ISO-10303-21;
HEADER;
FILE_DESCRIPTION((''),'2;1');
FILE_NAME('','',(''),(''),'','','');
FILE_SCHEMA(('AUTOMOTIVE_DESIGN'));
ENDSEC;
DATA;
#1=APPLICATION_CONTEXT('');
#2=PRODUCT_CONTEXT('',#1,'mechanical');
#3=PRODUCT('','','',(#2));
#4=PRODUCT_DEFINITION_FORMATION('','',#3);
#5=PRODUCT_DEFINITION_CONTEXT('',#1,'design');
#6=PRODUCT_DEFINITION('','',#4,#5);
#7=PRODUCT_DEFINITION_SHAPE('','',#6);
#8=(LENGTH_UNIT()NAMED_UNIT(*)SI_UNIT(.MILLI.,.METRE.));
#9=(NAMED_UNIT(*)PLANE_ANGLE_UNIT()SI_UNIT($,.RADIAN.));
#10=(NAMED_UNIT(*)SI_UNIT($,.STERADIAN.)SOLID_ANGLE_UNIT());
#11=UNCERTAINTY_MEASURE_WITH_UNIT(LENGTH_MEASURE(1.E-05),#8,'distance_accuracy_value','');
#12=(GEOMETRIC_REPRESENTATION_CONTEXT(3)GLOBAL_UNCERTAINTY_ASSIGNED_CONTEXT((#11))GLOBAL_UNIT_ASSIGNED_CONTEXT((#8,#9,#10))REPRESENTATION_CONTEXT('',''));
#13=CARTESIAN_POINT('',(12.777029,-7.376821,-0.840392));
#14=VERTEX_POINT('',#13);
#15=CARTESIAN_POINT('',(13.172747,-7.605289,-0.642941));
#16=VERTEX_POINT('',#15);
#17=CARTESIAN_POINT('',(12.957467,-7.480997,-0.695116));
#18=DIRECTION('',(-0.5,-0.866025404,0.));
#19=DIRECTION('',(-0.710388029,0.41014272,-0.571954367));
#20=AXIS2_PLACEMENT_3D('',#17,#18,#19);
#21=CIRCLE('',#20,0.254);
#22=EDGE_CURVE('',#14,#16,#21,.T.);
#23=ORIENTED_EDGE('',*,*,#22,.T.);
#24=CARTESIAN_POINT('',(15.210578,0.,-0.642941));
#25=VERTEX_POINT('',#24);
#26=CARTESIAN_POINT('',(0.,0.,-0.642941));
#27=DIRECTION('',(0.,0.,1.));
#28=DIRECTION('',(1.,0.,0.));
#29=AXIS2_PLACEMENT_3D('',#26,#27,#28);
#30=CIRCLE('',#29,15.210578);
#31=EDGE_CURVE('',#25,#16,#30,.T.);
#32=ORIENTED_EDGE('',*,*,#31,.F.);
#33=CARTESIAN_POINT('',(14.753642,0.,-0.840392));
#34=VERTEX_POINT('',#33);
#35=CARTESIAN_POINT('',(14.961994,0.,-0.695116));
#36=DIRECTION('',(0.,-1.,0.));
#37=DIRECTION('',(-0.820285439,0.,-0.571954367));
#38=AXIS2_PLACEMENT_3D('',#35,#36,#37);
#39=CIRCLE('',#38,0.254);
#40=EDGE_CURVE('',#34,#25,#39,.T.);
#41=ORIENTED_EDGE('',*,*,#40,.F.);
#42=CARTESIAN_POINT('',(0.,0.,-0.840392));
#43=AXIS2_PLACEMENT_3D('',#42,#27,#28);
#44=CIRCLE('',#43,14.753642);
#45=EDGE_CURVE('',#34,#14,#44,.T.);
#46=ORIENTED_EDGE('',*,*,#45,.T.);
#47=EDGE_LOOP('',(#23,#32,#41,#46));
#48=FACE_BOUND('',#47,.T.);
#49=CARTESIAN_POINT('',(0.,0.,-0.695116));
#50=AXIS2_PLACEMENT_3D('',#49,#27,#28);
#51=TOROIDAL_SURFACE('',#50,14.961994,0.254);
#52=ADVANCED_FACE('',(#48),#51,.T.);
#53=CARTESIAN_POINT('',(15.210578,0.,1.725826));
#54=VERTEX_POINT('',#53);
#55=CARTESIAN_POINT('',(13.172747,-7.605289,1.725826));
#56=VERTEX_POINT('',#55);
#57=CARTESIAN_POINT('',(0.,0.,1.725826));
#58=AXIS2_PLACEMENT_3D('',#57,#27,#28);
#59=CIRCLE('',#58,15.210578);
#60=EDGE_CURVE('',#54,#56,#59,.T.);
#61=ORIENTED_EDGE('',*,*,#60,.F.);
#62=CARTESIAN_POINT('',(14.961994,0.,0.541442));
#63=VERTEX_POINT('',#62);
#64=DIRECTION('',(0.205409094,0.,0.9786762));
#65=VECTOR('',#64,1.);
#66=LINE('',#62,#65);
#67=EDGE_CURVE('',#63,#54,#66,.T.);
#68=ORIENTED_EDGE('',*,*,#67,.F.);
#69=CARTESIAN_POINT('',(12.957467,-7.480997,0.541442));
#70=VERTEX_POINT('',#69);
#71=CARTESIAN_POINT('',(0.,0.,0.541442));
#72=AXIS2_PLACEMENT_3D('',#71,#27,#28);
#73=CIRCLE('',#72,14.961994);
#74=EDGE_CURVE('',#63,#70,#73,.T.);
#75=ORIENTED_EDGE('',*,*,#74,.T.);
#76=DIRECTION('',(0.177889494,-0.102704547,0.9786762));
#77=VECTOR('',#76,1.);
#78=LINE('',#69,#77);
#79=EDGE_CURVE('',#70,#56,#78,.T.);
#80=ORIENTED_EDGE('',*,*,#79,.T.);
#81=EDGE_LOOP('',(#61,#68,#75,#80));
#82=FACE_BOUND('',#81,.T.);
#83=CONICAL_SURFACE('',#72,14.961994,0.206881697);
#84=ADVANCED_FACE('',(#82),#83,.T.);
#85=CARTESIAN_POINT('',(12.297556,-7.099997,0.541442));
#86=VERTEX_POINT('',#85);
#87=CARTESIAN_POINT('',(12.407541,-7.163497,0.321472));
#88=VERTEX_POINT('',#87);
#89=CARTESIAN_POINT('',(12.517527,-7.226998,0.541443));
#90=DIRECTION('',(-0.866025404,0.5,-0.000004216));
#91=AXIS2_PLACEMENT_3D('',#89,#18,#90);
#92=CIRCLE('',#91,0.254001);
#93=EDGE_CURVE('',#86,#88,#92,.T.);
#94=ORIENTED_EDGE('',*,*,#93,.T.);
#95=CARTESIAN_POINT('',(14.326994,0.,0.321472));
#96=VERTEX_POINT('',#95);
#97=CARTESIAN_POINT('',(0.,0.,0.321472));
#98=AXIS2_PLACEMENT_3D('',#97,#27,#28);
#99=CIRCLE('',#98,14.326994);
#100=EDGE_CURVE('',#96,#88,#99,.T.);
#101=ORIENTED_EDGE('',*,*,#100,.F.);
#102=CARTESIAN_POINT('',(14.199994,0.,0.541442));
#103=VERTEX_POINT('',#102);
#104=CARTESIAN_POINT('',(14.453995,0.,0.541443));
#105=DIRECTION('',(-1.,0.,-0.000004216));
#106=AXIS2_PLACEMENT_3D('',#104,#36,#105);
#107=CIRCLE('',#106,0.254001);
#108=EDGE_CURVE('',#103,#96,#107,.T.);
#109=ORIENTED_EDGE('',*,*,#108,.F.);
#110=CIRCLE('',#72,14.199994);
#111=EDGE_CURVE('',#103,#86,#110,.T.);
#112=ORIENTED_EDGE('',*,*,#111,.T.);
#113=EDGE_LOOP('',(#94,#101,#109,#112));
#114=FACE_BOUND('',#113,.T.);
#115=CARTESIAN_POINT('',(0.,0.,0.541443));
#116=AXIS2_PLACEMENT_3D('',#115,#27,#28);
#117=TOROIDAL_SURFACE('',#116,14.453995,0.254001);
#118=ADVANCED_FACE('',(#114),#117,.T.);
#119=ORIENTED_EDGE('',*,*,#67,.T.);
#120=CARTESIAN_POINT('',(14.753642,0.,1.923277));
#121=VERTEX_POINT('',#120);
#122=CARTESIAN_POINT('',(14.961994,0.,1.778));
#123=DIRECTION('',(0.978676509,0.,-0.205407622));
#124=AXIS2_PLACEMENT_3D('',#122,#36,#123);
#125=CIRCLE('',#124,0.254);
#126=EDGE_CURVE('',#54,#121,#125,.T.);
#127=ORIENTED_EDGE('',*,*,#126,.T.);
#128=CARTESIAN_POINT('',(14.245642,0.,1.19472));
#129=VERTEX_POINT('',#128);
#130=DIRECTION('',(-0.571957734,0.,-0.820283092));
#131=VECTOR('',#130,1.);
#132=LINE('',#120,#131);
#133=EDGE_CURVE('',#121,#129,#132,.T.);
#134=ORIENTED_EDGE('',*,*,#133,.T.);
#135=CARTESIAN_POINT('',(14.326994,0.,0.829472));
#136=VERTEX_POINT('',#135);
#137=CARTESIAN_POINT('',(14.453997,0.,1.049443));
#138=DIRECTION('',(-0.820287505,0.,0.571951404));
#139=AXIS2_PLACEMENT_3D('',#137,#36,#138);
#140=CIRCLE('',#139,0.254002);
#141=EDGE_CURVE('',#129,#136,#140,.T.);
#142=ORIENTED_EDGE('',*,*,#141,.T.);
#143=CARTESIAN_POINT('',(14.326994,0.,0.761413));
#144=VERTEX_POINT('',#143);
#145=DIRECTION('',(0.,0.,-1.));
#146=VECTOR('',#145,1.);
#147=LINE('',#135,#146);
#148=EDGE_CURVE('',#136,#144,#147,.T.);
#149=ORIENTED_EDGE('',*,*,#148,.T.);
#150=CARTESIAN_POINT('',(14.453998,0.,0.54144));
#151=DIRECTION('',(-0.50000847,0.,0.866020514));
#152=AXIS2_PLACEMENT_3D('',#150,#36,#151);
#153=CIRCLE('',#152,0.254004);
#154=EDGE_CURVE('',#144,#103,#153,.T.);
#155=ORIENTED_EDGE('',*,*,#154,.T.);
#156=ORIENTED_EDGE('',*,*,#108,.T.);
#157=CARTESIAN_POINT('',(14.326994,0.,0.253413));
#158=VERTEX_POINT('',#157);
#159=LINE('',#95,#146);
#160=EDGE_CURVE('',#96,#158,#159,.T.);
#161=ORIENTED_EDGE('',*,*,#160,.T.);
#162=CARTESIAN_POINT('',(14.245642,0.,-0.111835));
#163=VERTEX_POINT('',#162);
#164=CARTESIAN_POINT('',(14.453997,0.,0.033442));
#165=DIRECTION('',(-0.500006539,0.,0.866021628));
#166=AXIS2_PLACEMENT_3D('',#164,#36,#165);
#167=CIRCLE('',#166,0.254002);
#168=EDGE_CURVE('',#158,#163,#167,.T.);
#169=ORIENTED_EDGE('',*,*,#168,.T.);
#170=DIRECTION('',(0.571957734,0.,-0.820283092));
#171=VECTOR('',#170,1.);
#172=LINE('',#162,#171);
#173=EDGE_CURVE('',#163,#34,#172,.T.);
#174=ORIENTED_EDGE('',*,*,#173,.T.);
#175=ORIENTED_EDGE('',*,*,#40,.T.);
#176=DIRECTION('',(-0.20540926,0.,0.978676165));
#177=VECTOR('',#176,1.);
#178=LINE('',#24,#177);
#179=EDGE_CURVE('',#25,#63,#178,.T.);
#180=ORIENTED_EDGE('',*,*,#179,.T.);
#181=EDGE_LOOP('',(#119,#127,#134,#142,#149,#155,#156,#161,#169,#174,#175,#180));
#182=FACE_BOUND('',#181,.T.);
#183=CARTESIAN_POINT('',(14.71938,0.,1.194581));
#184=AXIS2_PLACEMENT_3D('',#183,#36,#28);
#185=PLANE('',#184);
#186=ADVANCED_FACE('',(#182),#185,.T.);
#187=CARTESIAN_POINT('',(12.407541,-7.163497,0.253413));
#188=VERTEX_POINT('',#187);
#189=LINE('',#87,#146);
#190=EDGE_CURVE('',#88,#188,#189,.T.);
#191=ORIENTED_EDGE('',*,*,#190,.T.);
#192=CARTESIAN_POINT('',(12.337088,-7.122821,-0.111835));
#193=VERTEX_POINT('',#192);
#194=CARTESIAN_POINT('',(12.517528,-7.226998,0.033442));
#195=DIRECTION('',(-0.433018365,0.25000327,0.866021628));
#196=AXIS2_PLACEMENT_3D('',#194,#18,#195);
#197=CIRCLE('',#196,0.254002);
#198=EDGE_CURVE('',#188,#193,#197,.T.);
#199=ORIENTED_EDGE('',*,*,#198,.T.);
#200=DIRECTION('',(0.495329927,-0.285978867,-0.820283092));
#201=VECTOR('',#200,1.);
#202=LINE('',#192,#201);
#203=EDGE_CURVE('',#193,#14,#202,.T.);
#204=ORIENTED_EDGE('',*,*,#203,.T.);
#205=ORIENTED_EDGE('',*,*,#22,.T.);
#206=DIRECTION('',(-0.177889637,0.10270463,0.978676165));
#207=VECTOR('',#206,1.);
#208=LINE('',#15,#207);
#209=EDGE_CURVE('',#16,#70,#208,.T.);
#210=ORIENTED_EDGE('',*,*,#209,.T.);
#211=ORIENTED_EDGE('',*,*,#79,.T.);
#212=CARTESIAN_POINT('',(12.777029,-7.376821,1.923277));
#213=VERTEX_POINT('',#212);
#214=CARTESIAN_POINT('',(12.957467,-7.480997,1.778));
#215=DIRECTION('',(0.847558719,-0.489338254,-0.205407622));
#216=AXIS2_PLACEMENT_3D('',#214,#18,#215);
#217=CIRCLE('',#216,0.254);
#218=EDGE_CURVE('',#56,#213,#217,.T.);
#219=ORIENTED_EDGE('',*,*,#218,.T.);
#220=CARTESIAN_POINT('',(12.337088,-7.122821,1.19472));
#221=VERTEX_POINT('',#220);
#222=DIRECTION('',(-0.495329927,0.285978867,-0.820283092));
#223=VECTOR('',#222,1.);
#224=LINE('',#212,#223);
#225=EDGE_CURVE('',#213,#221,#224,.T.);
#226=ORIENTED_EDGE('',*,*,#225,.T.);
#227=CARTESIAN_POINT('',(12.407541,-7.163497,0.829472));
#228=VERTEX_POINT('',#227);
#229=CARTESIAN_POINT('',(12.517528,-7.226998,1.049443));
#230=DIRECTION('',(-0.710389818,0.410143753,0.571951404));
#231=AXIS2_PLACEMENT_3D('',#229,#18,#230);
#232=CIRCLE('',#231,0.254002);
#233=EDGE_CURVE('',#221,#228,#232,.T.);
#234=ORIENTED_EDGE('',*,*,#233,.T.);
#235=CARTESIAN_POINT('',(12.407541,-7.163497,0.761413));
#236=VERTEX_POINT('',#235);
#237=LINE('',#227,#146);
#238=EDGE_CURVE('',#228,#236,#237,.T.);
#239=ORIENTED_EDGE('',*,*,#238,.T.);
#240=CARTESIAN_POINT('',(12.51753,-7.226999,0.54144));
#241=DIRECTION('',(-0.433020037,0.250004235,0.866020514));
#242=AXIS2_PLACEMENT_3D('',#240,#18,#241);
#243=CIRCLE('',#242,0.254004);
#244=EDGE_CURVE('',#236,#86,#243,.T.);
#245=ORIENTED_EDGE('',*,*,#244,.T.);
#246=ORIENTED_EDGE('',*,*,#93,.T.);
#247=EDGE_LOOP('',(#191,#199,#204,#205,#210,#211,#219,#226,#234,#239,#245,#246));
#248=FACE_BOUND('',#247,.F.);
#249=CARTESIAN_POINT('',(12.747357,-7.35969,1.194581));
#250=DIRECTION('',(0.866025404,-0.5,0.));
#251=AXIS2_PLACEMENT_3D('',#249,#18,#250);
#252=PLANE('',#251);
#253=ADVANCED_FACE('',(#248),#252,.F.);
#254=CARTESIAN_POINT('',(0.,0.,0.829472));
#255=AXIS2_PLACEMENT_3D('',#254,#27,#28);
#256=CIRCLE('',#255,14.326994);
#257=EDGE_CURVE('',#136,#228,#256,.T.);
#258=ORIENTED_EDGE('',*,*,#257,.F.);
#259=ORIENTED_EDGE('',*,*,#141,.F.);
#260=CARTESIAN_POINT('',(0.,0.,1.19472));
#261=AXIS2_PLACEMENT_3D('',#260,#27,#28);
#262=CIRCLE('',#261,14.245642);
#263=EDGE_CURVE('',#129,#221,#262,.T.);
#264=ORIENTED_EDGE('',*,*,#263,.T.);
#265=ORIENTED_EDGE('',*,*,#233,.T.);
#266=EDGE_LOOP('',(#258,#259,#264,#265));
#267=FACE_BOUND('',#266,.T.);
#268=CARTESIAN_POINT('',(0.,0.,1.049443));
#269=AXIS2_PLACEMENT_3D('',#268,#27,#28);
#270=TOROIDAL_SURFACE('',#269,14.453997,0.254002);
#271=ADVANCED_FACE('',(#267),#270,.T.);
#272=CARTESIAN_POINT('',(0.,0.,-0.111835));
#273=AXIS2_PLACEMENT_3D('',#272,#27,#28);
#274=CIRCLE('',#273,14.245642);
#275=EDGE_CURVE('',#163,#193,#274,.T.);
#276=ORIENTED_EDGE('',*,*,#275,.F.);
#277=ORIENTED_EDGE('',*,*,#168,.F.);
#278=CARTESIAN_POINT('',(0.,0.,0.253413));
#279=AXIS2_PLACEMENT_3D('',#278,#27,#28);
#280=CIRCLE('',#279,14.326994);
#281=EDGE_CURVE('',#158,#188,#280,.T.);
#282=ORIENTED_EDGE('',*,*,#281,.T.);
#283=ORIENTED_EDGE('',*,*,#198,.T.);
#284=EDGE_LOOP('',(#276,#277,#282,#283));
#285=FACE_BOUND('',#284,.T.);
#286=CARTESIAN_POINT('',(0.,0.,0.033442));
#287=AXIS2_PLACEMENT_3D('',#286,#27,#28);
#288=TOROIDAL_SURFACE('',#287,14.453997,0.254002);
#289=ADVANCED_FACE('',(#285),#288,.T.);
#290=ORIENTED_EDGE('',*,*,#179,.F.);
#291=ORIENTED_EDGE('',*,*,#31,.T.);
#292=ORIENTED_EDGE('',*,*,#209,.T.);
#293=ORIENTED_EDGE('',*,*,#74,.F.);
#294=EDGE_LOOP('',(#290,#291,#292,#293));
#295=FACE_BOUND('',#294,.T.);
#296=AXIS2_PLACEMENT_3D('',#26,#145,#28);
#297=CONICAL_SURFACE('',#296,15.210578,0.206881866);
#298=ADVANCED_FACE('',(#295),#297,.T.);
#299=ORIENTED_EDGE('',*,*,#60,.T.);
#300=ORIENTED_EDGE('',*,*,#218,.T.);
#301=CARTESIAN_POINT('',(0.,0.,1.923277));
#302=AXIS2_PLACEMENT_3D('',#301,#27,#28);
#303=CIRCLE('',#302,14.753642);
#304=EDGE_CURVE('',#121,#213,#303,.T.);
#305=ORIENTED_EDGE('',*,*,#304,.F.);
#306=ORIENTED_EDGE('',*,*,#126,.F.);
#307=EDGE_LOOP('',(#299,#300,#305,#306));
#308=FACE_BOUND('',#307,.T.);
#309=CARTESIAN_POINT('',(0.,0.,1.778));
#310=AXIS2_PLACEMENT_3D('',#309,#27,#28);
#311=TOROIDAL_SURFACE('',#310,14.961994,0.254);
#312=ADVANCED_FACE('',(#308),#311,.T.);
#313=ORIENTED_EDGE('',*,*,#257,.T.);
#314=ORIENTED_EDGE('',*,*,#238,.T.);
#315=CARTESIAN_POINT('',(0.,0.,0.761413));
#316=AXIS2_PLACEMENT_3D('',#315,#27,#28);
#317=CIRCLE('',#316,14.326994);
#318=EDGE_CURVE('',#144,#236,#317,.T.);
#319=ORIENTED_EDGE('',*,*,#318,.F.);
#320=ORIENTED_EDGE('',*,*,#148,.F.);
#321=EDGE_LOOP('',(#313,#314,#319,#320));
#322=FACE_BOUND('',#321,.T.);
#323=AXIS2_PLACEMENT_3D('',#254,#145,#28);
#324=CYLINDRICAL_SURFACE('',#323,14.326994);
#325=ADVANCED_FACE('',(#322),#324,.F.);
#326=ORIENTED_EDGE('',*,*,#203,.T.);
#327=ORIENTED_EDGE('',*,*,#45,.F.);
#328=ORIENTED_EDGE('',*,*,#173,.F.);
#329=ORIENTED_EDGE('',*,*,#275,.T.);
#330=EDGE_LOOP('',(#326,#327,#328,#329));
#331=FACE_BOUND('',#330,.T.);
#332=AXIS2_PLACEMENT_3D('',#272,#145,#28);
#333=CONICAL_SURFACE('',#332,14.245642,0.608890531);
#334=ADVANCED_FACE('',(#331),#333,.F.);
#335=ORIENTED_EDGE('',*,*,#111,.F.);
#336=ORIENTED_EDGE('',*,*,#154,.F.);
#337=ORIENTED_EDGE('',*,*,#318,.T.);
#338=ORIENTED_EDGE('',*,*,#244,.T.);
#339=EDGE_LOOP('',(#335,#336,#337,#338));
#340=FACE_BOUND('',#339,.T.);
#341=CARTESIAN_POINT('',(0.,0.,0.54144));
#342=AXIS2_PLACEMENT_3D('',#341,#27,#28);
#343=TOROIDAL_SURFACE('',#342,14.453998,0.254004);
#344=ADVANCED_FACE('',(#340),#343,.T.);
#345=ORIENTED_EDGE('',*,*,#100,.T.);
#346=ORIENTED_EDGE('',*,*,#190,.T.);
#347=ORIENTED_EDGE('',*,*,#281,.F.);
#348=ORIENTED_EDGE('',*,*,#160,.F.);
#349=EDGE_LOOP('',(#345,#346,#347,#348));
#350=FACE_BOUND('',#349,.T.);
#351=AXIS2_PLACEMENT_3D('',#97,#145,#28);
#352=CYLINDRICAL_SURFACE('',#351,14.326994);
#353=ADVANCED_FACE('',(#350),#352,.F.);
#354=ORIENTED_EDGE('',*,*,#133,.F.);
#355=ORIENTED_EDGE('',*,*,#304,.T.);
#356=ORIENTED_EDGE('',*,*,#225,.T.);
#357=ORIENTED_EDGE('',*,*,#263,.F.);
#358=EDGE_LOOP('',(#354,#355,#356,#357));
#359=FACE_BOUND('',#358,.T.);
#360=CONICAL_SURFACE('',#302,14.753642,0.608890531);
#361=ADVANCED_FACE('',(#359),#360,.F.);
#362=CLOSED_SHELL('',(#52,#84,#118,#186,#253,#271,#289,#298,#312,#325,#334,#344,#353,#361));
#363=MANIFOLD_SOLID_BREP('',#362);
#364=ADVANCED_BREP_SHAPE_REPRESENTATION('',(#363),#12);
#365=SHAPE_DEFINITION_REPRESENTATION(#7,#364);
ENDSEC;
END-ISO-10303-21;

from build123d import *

# Parameters (mm, degrees)
F1_ANGLE = 330


with BuildPart() as f1:
    # F0 (on Front) → F1 (revolve)
    with BuildSketch(Plane.XZ):
        with BuildLine():
            ThreePointArc((14.326994, 0.761413), (14.234024, 0.668442), (14.199994, 0.541442))
            Line((14.199994, 0.541442), (14.961994, 0.541442))
            Line((14.961994, 0.541442), (15.210578, 1.725826))
            ThreePointArc((15.210578, 1.725826), (15.062748, 2.011162), (14.753642, 1.923277))
            Line((14.753642, 1.923277), (14.245642, 1.19472))
            ThreePointArc((14.245642, 1.19472), (14.20607, 0.994222), (14.326994, 0.829472))
            Line((14.326994, 0.829472), (14.326994, 0.761413))
        make_face()
        with BuildLine():
            Line((14.961994, 0.541442), (14.199994, 0.541442))
            ThreePointArc((14.199994, 0.541442), (14.234024, 0.414442), (14.326994, 0.321472))
            Line((14.326994, 0.321472), (14.326994, 0.253413))
            ThreePointArc((14.326994, 0.253413), (14.20607, 0.088663), (14.245642, -0.111835))
            Line((14.245642, -0.111835), (14.753642, -0.840392))
            ThreePointArc((14.753642, -0.840392), (15.062748, -0.928278), (15.210578, -0.642941))
            Line((15.210578, -0.642941), (14.961994, 0.541442))
        make_face()
    revolve(axis=Axis((0, 0, 1.969752), (0, 0, 1)), revolution_arc=F1_ANGLE)


solid = f1.part
